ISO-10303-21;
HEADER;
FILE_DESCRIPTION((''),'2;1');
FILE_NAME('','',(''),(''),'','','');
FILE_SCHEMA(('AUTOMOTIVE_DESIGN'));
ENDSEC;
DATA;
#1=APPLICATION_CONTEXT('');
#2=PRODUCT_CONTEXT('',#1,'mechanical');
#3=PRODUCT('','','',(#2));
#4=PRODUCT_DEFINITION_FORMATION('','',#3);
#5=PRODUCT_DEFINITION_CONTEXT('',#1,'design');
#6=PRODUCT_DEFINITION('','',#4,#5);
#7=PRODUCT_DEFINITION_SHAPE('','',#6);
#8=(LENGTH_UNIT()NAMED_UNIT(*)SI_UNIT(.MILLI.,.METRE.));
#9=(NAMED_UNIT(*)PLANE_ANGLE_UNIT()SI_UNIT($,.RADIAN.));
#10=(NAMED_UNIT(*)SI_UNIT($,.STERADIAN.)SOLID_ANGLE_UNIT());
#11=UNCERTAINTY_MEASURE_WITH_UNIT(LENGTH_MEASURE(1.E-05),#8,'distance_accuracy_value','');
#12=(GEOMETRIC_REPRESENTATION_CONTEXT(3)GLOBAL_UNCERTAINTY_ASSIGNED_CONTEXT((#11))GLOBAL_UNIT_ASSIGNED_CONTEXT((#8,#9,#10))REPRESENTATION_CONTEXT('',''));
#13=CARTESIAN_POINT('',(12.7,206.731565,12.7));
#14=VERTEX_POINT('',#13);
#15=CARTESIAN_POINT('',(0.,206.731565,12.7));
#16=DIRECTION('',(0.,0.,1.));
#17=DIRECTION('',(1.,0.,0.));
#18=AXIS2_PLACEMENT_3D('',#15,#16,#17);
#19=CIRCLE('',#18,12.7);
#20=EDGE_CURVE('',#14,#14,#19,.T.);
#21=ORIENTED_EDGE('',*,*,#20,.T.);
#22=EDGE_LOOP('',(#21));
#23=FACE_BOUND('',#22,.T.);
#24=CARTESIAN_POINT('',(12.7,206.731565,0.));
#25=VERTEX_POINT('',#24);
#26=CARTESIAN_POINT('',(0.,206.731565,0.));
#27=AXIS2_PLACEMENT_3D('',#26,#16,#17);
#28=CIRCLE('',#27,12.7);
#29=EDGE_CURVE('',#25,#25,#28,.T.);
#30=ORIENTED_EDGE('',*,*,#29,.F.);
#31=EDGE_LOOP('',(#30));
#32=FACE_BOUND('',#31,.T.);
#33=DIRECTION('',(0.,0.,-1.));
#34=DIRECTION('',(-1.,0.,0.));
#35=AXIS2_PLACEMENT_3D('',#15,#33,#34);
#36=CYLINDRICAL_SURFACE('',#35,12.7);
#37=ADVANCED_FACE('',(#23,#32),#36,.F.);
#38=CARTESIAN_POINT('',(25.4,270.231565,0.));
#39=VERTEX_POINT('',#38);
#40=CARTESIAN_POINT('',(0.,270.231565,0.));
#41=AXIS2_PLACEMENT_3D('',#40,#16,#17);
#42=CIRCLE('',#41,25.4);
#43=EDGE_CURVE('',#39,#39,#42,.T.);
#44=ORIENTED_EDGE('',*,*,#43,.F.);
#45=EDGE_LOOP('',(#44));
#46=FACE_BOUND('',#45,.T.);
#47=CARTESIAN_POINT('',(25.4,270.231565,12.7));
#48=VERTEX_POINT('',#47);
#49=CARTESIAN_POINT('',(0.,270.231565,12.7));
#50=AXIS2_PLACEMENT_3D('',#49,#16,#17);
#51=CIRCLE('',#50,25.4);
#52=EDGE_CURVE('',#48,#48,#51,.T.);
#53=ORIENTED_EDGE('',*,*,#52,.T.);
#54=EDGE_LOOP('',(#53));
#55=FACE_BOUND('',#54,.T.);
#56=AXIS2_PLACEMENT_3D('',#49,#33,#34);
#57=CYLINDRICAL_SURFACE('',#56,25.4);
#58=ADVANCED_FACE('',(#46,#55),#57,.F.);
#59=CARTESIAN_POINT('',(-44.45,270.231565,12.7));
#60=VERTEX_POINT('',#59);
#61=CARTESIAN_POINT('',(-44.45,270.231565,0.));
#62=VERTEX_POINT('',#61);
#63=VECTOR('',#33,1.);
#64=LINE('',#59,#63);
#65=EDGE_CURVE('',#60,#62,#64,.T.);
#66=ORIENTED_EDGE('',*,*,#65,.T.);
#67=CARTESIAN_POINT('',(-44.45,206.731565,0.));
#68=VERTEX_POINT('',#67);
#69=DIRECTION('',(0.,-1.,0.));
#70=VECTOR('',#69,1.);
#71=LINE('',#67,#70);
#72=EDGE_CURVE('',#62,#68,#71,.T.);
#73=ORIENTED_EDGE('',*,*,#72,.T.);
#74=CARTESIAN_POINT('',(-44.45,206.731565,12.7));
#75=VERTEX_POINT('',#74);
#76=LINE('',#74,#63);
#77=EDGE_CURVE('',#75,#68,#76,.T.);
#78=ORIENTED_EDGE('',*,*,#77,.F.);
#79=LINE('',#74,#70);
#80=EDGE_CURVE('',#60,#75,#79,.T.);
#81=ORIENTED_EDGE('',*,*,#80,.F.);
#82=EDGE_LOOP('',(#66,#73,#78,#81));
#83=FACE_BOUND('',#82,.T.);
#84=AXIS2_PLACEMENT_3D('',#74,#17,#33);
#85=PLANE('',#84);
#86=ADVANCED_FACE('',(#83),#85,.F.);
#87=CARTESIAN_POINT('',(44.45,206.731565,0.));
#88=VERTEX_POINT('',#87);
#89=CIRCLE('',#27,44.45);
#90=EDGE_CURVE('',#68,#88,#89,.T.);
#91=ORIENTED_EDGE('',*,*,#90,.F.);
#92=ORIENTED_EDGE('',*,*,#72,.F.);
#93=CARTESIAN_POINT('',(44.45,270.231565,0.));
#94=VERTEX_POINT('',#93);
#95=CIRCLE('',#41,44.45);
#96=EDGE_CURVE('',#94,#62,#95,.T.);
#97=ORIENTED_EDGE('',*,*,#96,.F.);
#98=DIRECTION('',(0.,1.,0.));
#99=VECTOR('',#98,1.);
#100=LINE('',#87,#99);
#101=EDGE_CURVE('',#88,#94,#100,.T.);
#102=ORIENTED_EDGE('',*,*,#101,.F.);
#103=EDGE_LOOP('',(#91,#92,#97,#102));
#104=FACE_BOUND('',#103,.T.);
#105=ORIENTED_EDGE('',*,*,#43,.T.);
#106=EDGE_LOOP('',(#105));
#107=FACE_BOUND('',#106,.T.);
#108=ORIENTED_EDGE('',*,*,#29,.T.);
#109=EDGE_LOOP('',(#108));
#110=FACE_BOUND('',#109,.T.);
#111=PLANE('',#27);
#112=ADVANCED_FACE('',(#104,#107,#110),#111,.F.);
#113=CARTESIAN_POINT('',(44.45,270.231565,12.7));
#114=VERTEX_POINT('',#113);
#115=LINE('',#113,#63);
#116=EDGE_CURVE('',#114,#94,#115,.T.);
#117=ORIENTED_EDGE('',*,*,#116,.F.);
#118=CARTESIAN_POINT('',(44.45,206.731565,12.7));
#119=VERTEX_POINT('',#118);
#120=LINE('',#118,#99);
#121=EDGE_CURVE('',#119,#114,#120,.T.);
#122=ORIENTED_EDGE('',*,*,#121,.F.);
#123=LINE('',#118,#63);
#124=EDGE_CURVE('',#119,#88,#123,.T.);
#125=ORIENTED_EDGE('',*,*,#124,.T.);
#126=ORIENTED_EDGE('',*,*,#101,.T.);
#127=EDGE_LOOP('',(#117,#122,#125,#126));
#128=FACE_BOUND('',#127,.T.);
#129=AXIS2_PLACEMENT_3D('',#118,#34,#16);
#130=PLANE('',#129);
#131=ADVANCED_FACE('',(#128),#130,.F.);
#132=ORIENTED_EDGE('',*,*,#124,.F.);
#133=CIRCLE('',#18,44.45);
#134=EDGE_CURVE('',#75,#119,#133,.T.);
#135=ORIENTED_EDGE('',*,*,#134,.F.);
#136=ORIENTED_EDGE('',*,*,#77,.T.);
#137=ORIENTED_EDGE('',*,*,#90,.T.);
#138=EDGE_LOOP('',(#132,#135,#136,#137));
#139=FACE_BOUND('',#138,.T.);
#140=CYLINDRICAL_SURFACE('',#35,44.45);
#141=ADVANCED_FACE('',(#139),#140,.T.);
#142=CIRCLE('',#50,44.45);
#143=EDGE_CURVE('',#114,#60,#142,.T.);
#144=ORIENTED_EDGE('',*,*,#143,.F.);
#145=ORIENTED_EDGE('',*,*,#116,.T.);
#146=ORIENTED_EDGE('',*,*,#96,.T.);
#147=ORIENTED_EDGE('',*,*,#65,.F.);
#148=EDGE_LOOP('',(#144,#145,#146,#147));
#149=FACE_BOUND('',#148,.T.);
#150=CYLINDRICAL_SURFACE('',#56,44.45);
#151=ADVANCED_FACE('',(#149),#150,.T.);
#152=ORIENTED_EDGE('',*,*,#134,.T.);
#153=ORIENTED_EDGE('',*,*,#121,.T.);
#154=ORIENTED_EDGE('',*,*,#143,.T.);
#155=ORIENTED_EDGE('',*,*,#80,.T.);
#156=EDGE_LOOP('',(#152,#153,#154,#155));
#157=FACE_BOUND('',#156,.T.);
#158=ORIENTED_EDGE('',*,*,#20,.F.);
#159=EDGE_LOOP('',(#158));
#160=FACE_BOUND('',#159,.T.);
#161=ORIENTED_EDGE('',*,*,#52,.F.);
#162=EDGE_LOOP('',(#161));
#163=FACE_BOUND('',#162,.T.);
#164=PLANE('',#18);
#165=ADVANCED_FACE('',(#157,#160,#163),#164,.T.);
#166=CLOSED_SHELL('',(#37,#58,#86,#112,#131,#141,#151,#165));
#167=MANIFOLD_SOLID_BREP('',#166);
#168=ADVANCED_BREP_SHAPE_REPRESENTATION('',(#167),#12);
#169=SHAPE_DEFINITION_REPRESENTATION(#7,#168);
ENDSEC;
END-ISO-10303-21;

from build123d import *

# Parameters (mm, degrees)
SKETCH1_R           = 25.4
SKETCH1_R_2         = 12.7
BOSS_EXTRUDE1_DEPTH = 12.7


with BuildPart() as part:
    # Sketch1 → Boss-Extrude1 (new body)
    with BuildSketch(Plane.XY):
        with BuildLine():
            Line((-44.45, 206.731564945), (-44.45, 270.231564945))
            ThreePointArc((-44.45, 270.231564945), (0, 314.681564945), (44.45, 270.231564945))
            Line((44.45, 270.231564945), (44.45, 206.731564945))
            ThreePointArc((44.45, 206.731564945), (0, 162.281564945), (-44.45, 206.731564945))
        make_face()
        with Locations((0, 270.231564945)):
            Circle(SKETCH1_R, mode=Mode.SUBTRACT)
        with Locations((0, 206.731564945)):
            Circle(SKETCH1_R_2, mode=Mode.SUBTRACT)
    extrude(amount=BOSS_EXTRUDE1_DEPTH)


solid = part.part
